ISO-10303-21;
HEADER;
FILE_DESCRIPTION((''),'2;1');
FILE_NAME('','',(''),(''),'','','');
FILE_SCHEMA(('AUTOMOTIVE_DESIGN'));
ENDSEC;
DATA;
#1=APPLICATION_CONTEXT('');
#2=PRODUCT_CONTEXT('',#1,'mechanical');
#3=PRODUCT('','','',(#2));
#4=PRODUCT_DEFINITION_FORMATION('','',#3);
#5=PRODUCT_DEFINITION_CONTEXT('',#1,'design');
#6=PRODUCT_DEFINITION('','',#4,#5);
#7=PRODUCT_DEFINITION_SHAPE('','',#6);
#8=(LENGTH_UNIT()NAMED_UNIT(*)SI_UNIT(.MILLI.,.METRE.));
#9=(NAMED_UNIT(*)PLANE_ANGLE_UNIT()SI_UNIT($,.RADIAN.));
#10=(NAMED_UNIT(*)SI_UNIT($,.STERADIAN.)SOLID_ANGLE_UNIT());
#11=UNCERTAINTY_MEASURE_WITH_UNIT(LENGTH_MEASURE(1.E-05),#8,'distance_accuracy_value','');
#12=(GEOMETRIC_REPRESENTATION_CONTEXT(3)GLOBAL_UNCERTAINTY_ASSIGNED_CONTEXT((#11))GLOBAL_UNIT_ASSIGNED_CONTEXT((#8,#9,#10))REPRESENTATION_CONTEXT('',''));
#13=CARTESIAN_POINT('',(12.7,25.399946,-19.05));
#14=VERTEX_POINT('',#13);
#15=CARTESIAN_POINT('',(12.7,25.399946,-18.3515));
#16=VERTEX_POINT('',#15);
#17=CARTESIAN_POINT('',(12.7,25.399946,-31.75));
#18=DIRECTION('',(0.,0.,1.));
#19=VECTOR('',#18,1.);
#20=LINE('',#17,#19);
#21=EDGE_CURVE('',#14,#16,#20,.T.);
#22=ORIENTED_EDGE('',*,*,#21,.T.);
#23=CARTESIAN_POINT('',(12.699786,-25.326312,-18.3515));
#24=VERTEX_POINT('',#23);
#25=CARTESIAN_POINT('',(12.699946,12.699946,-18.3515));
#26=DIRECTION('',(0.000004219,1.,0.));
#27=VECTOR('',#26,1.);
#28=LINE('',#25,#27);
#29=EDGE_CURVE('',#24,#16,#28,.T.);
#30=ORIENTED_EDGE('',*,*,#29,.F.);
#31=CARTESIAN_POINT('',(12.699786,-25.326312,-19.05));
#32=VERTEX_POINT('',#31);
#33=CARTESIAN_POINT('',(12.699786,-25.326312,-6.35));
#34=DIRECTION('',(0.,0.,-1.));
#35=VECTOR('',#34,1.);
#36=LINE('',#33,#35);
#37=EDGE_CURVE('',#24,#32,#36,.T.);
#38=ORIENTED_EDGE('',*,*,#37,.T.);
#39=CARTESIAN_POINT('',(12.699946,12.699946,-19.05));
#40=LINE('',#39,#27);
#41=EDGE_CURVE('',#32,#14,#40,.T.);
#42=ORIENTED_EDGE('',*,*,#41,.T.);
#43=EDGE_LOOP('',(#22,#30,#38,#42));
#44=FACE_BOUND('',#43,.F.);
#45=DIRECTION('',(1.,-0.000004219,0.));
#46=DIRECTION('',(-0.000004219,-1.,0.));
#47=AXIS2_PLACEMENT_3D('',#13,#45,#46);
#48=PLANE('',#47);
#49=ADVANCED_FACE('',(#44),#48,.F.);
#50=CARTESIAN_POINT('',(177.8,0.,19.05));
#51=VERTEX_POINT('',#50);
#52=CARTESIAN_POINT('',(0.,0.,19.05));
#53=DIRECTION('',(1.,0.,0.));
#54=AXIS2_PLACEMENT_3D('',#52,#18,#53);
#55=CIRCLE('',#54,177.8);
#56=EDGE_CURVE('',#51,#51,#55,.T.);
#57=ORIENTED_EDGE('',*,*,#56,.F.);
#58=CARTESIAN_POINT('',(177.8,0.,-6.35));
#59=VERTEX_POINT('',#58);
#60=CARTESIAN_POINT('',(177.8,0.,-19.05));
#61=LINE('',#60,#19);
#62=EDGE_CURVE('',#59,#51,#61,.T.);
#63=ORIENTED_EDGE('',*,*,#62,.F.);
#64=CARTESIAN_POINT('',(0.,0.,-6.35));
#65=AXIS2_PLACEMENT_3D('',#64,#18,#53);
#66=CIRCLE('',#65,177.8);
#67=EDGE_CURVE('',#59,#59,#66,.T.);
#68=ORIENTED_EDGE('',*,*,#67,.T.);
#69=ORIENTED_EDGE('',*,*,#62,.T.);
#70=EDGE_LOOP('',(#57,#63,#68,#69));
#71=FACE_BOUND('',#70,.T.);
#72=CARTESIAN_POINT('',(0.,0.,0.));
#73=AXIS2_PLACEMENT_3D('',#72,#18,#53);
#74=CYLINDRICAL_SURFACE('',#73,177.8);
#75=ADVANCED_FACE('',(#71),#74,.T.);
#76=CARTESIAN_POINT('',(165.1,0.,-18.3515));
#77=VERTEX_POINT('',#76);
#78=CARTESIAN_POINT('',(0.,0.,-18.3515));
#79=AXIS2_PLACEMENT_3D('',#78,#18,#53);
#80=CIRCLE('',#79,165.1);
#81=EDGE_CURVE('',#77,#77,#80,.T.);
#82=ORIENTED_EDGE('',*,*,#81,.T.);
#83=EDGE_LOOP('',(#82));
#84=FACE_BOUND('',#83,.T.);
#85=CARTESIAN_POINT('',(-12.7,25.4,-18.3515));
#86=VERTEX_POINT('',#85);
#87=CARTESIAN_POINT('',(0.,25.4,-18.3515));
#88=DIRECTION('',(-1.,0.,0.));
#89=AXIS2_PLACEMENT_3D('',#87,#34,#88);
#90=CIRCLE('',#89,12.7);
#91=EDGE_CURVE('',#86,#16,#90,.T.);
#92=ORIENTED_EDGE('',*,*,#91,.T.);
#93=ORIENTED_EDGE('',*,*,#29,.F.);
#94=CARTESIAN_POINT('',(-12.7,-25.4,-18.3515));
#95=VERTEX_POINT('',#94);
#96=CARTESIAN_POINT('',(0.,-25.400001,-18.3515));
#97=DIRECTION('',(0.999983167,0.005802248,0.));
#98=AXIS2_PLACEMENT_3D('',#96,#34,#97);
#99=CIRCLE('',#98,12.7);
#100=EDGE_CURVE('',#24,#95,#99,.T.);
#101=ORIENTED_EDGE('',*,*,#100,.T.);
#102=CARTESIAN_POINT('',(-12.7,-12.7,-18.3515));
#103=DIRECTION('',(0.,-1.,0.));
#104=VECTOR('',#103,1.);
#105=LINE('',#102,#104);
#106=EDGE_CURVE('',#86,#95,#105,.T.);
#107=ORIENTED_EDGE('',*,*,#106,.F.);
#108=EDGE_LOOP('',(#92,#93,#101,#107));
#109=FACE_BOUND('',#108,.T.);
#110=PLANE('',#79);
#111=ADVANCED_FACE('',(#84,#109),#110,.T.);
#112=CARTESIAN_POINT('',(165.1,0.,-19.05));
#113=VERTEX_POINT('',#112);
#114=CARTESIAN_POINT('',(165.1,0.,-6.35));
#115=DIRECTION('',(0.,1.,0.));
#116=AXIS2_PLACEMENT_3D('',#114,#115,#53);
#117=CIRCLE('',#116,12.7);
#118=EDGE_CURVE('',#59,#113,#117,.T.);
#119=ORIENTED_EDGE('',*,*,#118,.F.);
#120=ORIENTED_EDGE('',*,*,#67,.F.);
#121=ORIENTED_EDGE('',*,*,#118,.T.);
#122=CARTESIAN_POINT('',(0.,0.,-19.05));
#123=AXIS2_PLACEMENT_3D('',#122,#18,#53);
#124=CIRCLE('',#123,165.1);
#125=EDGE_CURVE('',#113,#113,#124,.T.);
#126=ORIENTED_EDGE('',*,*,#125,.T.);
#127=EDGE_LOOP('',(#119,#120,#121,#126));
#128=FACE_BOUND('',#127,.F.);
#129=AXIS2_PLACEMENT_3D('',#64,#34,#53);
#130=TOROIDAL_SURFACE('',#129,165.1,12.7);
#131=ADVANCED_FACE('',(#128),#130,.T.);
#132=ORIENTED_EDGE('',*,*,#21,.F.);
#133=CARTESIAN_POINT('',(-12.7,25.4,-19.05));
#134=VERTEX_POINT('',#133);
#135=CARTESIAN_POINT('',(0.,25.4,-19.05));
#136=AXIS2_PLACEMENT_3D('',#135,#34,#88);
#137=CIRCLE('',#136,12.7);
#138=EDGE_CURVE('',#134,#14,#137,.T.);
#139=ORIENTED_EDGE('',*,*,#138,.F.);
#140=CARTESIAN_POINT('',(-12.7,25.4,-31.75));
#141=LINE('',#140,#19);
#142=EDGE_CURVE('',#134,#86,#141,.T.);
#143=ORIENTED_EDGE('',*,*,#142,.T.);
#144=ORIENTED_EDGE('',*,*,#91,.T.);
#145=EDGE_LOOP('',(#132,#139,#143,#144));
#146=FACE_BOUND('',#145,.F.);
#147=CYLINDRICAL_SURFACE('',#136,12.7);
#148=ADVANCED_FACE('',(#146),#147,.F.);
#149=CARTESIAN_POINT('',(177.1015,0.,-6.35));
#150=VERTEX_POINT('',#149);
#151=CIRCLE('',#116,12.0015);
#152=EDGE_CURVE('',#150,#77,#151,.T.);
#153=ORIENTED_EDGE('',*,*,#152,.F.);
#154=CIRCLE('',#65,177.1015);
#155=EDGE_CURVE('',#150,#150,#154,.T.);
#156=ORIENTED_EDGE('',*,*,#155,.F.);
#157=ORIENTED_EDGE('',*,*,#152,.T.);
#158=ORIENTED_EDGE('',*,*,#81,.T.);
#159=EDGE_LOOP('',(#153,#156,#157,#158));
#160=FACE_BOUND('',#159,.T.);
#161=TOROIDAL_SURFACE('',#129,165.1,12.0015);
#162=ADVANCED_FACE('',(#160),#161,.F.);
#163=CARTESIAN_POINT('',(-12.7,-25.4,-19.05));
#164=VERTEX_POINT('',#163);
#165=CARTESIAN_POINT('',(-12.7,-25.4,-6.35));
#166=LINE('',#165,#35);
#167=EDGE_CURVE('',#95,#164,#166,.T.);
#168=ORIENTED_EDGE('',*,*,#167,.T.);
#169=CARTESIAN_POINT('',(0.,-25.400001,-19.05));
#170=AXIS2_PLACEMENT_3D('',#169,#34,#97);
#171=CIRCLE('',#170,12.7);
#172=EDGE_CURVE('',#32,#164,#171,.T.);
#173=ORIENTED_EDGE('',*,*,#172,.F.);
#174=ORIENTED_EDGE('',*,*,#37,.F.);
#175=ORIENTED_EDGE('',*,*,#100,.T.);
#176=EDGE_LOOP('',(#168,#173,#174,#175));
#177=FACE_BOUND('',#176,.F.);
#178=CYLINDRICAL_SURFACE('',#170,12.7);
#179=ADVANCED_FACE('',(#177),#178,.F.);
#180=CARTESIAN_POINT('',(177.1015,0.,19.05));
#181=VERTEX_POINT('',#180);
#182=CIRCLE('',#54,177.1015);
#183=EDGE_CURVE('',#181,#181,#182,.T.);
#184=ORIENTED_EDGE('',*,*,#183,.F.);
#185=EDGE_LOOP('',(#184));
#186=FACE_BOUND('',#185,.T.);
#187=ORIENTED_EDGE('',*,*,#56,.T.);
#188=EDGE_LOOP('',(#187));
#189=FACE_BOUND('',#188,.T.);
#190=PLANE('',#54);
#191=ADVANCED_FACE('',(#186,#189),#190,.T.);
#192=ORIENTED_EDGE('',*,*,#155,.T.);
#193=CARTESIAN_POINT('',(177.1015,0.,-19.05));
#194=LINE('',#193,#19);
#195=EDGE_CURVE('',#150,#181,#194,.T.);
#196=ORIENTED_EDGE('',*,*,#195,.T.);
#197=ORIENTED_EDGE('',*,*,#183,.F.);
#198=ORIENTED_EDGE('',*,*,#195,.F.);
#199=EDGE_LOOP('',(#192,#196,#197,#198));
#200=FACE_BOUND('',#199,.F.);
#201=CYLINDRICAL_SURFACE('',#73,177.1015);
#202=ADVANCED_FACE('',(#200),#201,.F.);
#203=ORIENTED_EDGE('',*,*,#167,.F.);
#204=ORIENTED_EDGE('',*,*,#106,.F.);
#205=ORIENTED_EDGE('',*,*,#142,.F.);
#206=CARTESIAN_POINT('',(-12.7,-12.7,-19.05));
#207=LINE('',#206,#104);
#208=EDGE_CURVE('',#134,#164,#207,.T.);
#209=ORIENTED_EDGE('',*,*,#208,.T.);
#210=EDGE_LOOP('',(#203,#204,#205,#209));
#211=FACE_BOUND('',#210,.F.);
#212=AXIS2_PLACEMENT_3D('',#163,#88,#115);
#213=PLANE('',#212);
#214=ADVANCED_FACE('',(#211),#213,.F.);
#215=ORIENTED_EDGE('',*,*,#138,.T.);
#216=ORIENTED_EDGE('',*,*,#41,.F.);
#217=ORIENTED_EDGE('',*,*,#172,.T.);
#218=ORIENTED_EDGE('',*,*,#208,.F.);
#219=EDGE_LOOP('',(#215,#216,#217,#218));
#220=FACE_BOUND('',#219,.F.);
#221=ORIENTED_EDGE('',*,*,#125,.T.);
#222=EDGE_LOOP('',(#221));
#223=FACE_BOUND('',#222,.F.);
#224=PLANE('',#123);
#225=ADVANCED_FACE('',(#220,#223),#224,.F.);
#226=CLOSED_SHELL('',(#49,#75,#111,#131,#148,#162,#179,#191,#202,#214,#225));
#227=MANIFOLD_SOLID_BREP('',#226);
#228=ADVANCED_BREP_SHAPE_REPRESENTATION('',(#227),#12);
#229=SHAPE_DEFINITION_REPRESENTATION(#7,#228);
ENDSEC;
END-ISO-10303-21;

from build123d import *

# Parameters (mm, degrees)
F0_R     = 177.8
F1_DEPTH = 19.05
F2_R     = 12.7
F3_T     = -0.6985
F5_DEPTH = 12.7


with BuildPart() as f1:
    # F0 (on Top) → F1 (new body, symmetric)
    with BuildSketch(Plane.XY):
        Circle(F0_R)
    extrude(amount=F1_DEPTH, both=True)

    # F2
    f2_edges = [f1.edges().sort_by_distance(p)[0] for p in [
        (-177.8, 0, -19.05),
    ]]
    fillet(f2_edges, radius=F2_R)

    # F3
    f3_openings = [f1.faces().sort_by_distance(p)[0] for p in [
        (0, 0, 19.05),
    ]]
    offset(amount=F3_T, openings=f3_openings)

    # F4 (on face) → F5 (cut, symmetric)
    with BuildSketch(Plane(origin=(0, 0, -19.05), x_dir=(1, 0, 0), z_dir=(0, 0, -1))):
        with BuildLine():
            Line((12.7, -25.399946), (12.699786, 25.326312))
            ThreePointArc((12.699786, 25.326312), (0.036844, 38.099947), (-12.7, 25.4))
            Line((-12.7, 25.4), (-12.7, -25.4))
            ThreePointArc((-12.7, -25.4), (2.7e-05, -38.1), (12.7, -25.399946))
        make_face()
    extrude(amount=F5_DEPTH, both=True, mode=Mode.SUBTRACT)


solid = f1.part
